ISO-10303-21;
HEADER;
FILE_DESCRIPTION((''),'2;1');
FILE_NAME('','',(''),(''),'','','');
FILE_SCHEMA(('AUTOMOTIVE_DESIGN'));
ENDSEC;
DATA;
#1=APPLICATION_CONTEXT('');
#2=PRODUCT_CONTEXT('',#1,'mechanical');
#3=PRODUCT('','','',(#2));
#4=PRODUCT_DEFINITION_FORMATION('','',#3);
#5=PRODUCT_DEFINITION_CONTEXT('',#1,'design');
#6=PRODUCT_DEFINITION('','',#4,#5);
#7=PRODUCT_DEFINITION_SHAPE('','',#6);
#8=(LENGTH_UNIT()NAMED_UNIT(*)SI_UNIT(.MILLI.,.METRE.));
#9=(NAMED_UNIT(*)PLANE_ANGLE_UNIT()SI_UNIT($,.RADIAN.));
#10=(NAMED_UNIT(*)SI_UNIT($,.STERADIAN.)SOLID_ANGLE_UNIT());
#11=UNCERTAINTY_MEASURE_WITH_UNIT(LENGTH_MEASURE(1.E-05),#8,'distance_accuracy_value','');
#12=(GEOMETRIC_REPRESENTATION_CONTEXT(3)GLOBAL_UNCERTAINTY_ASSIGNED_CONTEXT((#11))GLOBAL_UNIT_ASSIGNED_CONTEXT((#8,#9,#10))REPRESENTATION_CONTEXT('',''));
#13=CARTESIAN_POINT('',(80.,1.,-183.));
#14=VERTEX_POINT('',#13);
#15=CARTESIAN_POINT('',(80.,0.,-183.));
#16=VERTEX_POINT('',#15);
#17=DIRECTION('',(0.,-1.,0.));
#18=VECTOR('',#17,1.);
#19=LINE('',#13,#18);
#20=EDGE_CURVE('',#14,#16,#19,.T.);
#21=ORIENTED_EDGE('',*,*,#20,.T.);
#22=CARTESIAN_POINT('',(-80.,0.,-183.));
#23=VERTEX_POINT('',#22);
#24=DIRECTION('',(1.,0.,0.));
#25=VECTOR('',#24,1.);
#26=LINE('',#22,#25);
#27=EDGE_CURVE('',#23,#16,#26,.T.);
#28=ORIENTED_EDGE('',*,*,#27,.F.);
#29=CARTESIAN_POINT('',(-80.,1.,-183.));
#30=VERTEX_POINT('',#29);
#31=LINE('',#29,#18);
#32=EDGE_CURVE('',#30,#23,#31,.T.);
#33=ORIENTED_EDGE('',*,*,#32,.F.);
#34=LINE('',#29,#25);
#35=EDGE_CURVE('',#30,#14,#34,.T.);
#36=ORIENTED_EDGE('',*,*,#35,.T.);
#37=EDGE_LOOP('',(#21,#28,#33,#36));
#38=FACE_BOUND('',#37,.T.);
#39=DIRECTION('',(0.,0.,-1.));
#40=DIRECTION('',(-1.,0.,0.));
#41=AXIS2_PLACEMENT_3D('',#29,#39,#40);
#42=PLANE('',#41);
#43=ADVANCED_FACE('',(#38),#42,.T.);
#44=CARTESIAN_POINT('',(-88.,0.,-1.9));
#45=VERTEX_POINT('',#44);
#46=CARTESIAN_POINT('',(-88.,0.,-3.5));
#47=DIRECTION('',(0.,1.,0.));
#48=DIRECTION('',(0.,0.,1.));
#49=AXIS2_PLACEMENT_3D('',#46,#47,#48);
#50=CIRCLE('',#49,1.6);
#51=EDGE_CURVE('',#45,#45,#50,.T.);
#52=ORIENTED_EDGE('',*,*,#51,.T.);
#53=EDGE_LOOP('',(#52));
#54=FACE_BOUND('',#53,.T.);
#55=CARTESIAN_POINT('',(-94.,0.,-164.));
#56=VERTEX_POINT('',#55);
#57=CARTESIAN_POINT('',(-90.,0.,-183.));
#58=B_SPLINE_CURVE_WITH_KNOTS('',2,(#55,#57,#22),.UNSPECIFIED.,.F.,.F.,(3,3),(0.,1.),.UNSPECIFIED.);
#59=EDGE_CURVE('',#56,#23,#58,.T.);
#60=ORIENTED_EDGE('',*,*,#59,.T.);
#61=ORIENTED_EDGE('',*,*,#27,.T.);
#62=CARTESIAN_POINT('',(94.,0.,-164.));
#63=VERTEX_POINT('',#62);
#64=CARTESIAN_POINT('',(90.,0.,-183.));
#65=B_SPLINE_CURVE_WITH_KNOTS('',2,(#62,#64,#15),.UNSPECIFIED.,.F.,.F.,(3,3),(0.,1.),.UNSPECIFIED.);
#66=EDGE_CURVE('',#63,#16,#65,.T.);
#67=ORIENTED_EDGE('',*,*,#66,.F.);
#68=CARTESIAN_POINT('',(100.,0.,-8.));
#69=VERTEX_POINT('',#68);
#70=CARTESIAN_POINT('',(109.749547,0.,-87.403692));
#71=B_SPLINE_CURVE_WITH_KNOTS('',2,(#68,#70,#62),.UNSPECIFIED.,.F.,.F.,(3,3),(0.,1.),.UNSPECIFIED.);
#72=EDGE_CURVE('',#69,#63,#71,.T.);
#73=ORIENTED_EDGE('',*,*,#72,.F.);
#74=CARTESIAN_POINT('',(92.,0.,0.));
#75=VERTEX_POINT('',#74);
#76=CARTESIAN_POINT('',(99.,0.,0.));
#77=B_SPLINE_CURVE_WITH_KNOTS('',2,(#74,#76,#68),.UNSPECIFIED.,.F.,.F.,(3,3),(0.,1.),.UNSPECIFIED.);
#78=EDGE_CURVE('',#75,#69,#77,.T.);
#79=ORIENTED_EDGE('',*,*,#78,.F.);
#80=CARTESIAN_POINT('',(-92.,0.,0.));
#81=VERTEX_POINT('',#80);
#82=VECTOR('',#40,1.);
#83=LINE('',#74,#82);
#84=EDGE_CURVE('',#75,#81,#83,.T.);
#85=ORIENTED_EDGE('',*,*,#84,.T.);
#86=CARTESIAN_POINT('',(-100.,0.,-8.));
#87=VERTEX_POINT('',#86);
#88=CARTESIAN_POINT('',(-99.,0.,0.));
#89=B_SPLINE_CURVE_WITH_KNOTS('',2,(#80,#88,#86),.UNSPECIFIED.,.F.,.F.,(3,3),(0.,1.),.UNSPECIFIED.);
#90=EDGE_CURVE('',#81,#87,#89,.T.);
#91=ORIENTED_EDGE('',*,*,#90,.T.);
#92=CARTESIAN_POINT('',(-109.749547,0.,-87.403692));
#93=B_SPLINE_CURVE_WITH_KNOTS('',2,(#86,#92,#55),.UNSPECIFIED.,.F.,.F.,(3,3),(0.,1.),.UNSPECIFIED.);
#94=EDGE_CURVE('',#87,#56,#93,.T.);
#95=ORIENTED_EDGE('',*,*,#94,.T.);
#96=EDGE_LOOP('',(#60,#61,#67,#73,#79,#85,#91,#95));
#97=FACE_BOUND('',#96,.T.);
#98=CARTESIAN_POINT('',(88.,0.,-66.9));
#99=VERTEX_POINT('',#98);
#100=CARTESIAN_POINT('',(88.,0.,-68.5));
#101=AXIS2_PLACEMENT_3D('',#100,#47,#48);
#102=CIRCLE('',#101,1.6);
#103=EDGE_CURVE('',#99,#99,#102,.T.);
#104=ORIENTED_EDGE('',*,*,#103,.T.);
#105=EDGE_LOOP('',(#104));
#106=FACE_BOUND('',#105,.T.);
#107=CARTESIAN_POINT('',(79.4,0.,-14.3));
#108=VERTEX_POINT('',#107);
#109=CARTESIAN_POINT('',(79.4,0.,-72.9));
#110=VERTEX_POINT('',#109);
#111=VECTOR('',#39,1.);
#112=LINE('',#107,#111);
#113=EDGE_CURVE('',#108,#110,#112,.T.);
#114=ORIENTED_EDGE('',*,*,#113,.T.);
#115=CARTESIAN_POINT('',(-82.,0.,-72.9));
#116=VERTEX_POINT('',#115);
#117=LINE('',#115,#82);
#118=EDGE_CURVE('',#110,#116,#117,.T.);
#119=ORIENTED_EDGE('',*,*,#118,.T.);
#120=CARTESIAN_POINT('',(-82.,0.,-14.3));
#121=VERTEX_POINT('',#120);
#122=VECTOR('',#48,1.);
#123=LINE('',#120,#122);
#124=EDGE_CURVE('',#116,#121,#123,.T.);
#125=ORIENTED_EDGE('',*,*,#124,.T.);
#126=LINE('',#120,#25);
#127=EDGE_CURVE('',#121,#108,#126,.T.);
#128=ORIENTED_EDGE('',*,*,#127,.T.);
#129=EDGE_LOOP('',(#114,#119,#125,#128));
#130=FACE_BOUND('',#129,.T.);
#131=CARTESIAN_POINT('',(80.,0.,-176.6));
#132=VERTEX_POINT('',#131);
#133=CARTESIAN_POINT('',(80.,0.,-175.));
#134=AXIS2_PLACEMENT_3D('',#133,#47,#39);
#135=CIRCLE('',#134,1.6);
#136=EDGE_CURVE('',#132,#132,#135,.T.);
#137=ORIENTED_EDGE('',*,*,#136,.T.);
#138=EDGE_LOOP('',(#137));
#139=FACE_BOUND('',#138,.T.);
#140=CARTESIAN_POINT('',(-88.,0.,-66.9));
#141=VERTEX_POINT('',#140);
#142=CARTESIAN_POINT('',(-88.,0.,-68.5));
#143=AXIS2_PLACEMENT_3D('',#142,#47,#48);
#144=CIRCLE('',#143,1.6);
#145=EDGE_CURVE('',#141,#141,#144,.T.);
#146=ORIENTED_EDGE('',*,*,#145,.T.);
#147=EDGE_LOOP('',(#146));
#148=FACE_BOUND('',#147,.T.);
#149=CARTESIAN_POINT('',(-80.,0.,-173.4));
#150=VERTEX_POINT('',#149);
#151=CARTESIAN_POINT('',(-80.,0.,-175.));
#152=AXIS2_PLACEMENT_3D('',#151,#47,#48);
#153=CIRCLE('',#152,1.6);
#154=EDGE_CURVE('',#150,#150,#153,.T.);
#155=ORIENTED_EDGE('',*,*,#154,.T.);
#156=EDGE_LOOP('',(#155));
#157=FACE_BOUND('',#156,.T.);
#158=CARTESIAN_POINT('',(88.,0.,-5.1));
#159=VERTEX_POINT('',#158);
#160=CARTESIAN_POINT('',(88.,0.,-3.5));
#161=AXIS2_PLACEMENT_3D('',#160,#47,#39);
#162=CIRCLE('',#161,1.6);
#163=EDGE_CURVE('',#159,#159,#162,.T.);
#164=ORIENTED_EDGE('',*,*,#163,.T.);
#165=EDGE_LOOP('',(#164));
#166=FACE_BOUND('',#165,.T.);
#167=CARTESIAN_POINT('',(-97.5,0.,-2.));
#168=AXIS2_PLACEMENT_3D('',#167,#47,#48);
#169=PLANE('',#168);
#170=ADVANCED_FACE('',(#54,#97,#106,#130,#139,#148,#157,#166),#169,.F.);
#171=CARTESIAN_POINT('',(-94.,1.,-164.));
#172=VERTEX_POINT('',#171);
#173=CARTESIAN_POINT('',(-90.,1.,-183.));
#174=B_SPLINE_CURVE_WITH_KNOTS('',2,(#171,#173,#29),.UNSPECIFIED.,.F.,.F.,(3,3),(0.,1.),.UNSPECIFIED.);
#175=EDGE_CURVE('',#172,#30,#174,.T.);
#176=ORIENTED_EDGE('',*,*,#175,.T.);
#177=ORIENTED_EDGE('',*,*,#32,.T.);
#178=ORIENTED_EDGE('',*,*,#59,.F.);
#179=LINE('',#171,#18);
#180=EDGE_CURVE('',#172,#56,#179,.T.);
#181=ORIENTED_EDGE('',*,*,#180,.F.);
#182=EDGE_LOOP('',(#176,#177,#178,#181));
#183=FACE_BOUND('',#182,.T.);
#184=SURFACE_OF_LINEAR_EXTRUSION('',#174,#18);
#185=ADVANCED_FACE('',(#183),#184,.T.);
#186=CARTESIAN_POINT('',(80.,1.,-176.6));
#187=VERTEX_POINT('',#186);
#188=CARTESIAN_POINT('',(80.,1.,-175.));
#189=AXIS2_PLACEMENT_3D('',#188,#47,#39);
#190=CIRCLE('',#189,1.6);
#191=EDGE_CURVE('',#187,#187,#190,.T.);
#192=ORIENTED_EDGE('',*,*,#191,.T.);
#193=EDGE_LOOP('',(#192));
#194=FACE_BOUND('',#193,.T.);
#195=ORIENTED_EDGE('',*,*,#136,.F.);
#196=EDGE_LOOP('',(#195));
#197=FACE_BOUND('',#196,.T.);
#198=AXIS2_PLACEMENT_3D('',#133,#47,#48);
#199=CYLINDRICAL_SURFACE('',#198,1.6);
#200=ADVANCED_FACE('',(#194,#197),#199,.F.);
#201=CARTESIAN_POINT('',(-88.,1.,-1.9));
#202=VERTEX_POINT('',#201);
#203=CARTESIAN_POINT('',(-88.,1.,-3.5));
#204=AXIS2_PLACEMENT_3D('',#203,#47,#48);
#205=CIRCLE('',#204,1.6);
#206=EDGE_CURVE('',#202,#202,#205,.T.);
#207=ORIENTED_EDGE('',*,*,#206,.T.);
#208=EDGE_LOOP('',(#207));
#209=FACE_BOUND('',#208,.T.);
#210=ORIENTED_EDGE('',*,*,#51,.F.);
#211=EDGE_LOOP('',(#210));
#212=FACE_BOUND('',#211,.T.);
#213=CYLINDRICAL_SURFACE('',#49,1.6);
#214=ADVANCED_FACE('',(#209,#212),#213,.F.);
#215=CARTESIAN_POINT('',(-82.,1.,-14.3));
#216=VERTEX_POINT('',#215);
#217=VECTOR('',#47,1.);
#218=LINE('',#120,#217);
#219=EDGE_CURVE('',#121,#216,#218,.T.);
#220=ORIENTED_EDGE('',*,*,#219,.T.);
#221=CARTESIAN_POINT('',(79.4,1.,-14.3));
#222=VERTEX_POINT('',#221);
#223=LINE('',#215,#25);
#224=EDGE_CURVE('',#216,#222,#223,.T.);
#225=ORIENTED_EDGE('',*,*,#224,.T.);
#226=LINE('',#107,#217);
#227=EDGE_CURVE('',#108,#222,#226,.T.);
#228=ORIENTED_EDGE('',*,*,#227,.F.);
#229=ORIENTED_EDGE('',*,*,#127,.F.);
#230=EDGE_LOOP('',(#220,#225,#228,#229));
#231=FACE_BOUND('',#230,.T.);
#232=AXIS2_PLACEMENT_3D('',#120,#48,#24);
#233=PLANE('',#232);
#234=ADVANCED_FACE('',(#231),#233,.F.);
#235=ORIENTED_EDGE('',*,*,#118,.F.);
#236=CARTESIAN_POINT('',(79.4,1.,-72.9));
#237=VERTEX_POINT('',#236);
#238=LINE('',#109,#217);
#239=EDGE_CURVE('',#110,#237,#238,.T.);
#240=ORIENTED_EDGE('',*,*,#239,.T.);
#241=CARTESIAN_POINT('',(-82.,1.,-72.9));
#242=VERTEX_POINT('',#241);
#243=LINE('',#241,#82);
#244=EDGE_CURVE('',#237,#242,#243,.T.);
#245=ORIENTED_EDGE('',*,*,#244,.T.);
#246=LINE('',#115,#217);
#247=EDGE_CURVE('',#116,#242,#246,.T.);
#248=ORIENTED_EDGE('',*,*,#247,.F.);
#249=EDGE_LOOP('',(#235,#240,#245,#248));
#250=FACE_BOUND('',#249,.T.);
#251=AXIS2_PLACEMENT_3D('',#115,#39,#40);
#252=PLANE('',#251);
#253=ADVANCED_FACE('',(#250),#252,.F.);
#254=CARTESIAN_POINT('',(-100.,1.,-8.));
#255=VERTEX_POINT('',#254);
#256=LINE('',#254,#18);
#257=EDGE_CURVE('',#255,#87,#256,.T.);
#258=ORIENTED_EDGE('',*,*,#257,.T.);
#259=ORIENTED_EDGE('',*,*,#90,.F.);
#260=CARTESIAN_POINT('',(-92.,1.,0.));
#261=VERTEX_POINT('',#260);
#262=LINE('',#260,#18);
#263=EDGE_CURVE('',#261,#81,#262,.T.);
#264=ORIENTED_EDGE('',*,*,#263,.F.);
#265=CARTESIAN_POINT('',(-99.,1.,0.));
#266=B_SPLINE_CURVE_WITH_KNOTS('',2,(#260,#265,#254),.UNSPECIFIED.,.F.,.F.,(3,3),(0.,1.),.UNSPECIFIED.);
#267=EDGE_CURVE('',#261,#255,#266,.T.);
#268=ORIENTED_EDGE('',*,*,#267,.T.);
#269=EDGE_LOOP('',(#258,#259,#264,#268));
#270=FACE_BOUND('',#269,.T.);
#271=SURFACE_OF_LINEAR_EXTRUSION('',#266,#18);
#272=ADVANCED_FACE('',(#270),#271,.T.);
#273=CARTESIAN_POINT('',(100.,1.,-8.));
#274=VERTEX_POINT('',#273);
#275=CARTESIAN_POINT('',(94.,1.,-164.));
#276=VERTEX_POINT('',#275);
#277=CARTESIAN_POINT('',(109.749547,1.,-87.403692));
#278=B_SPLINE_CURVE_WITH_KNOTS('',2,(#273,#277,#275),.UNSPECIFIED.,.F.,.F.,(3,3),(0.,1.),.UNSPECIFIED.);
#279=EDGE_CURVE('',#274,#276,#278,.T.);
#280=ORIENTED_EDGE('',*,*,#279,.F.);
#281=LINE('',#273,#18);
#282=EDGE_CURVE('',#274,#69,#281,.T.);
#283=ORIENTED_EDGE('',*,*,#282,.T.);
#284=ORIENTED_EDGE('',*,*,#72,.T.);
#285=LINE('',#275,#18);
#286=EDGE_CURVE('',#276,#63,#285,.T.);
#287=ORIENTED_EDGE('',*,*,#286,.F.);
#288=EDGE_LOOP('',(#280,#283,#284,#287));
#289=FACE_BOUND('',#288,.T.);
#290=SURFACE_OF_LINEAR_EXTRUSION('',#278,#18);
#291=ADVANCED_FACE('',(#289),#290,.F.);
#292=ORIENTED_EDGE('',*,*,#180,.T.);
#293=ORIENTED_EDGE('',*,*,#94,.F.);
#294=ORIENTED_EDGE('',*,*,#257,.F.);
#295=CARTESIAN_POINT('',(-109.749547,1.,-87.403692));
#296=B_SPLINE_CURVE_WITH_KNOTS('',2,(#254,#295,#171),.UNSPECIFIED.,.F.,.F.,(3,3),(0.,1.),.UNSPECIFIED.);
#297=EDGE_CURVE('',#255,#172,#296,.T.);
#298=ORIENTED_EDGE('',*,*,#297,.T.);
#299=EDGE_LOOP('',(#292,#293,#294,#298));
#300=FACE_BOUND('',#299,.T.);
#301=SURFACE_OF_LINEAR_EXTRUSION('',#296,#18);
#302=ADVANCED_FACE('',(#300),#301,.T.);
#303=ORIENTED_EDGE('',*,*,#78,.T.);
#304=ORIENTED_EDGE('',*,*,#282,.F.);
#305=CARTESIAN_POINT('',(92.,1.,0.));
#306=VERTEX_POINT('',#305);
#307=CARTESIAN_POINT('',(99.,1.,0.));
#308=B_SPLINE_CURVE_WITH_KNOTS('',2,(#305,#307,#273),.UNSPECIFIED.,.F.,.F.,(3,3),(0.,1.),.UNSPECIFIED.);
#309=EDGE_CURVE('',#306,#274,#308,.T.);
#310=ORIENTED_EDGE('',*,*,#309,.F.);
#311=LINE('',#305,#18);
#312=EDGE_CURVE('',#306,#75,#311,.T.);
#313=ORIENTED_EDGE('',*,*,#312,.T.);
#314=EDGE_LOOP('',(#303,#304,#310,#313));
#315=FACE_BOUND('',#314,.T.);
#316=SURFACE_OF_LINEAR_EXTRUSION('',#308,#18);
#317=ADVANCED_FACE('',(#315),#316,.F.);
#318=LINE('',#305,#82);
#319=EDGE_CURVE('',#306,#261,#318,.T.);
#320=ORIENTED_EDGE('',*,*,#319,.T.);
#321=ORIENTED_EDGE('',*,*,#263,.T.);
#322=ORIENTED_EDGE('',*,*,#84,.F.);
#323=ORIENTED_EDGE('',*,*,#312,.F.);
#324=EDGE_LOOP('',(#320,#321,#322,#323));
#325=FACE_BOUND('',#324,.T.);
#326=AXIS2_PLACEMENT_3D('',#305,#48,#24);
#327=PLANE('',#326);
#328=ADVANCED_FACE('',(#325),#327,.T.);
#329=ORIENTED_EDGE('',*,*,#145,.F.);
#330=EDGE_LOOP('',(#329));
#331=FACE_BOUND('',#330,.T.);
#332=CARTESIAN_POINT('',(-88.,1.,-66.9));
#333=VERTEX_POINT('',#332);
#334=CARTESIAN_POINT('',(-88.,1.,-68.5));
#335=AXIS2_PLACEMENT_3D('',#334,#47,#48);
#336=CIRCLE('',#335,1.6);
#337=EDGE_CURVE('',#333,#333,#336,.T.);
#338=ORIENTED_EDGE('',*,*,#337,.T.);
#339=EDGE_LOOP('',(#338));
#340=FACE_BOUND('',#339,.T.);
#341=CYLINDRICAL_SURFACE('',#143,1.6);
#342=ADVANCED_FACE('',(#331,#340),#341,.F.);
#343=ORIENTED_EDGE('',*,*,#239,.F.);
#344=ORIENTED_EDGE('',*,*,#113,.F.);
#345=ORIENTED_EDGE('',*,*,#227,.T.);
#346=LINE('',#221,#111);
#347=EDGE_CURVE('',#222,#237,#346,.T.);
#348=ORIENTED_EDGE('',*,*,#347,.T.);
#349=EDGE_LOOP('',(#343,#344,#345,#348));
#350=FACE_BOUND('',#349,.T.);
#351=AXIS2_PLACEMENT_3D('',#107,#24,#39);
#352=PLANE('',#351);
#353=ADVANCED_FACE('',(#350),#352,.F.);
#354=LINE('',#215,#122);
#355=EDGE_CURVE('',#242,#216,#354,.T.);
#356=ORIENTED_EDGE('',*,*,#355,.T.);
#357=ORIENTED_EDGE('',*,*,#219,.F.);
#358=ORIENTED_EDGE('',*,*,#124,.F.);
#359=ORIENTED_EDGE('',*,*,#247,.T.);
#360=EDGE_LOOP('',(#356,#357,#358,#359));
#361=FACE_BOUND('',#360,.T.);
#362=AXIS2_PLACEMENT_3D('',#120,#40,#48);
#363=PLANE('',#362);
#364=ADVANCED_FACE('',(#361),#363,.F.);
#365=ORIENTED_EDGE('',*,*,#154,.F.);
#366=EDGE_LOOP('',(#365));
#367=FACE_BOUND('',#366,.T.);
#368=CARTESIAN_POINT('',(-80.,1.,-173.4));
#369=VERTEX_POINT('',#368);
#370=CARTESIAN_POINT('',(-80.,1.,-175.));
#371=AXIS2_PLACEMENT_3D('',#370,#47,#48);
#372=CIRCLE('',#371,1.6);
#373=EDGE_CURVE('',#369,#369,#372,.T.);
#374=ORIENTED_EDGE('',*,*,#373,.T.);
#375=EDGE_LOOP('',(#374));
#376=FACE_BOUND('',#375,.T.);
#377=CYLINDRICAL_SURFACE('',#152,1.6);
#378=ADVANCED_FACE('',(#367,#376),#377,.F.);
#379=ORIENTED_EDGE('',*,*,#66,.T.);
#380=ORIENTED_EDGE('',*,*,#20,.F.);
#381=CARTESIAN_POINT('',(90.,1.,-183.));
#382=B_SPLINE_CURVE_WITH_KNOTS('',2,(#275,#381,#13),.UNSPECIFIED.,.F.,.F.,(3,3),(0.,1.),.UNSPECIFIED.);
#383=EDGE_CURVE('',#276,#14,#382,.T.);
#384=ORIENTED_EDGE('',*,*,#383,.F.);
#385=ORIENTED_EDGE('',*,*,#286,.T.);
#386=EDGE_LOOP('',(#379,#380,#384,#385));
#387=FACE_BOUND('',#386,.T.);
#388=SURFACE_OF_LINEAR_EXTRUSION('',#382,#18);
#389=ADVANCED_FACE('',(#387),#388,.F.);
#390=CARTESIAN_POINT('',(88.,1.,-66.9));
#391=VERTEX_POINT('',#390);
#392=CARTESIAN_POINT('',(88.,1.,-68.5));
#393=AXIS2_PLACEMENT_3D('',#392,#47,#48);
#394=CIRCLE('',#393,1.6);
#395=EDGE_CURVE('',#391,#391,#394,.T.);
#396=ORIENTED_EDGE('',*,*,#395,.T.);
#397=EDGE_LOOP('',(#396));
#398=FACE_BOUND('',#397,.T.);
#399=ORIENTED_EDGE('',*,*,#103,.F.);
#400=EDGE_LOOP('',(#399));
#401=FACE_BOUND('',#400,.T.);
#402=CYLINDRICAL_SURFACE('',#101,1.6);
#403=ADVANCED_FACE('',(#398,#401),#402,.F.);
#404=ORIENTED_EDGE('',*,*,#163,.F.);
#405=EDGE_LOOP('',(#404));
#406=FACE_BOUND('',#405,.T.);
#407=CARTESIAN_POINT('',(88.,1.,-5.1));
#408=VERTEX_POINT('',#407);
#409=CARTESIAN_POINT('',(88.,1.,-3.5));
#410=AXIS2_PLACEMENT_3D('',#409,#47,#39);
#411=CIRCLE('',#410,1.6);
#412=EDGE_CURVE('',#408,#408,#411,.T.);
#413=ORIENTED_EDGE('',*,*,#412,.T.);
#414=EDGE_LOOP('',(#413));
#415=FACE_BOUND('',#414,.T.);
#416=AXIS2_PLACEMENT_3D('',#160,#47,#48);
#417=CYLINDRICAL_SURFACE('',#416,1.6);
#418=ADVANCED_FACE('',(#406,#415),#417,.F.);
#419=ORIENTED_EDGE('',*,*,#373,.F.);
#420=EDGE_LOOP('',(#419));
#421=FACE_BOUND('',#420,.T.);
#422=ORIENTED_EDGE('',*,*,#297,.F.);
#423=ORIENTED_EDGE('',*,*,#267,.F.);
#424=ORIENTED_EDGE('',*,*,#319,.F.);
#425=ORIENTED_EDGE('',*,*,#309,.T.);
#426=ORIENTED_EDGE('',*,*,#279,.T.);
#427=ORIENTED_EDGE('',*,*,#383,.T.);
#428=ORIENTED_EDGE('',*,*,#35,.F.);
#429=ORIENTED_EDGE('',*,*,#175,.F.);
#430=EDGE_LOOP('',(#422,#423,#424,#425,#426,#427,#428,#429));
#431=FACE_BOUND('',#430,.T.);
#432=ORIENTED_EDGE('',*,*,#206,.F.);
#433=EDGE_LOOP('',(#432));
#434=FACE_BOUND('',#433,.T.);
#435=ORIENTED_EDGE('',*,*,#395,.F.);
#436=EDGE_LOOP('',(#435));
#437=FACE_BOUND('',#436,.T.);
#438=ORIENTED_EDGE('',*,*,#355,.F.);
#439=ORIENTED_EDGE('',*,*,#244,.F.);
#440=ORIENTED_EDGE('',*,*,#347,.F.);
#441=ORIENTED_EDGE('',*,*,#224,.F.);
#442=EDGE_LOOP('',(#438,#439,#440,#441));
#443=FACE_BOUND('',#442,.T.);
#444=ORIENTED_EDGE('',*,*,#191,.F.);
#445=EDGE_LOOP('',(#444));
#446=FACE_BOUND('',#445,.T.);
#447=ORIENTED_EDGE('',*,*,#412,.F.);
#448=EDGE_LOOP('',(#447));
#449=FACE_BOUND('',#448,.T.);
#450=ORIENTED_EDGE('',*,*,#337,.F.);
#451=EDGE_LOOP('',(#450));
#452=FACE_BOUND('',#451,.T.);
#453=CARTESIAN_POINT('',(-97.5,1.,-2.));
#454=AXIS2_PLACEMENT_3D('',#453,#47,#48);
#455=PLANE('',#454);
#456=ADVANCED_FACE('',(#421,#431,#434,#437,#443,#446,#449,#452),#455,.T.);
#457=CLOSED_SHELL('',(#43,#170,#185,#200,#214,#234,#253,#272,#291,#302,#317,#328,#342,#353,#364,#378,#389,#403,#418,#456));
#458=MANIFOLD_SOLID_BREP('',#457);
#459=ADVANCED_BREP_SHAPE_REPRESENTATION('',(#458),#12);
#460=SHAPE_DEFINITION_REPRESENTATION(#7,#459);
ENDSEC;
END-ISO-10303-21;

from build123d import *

# Parameters (mm, degrees)
BOSS_EXTRUDE1_DEPTH = 1
SKETCH2_R           = 1.6
SKETCH2_W           = 161.4
SKETCH2_H           = 58.6
CUT_EXTRUDE1_DEPTH  = 211.355512163


with BuildPart() as part:
    # Sketch1 → Boss-Extrude1 (new body)
    with BuildSketch(Plane(origin=(0, 0, 0), x_dir=(1, 0, 0), z_dir=(0, 1, 0))):
        with BuildLine():
            Line((92, 0), (-92, 0))
            add(Edge.make_bspline(
                [(-92, 0), (-99, 0), (-100, 8)],
                knots=[0, 0, 0, 1, 1, 1], degree=2))
            add(Edge.make_bspline(
                [(-100, 8), (-109.749547472, 87.403692131), (-94, 164)],
                knots=[0, 0, 0, 1, 1, 1], degree=2))
            add(Edge.make_bspline(
                [(-94, 164), (-90, 183), (-80, 183)],
                knots=[0, 0, 0, 1, 1, 1], degree=2))
            Line((-80, 183), (80, 183))
            add(Edge.make_bspline(
                [(94, 164), (90, 183), (80, 183)],
                knots=[0, 0, 0, 1, 1, 1], degree=2))
            add(Edge.make_bspline(
                [(100, 8), (109.749547472, 87.403692131), (94, 164)],
                knots=[0, 0, 0, 1, 1, 1], degree=2))
            add(Edge.make_bspline(
                [(92, 0), (99, 0), (100, 8)],
                knots=[0, 0, 0, 1, 1, 1], degree=2))
        make_face()
    extrude(amount=BOSS_EXTRUDE1_DEPTH)

    # Sketch2 → Cut-Extrude1 (cut, through all)
    with BuildSketch(Plane(origin=(0, 1, 0), x_dir=(1, 0, 0), z_dir=(0, 1, 0))):
        with Locations(Location((-88, 3.5, 0), (0, 0, 270))):
            Circle(SKETCH2_R)
        with Locations(Location((88, 3.5, 0), (0, 0, 90))):
            Circle(SKETCH2_R)
        with Locations(Location((-80, 175, 0), (0, 0, 270))):
            Circle(SKETCH2_R)
        with Locations(Location((80, 175, 0), (0, 0, 90))):
            Circle(SKETCH2_R)
        with Locations(Location((-88, 68.5, 0), (0, 0, 270))):
            Circle(SKETCH2_R)
        with Locations(Location((88, 68.5, 0), (0, 0, 270))):
            Circle(SKETCH2_R)
        with Locations((-1.3, 43.6)):
            Rectangle(SKETCH2_W, SKETCH2_H)
    extrude(amount=-CUT_EXTRUDE1_DEPTH, mode=Mode.SUBTRACT)


solid = part.part
